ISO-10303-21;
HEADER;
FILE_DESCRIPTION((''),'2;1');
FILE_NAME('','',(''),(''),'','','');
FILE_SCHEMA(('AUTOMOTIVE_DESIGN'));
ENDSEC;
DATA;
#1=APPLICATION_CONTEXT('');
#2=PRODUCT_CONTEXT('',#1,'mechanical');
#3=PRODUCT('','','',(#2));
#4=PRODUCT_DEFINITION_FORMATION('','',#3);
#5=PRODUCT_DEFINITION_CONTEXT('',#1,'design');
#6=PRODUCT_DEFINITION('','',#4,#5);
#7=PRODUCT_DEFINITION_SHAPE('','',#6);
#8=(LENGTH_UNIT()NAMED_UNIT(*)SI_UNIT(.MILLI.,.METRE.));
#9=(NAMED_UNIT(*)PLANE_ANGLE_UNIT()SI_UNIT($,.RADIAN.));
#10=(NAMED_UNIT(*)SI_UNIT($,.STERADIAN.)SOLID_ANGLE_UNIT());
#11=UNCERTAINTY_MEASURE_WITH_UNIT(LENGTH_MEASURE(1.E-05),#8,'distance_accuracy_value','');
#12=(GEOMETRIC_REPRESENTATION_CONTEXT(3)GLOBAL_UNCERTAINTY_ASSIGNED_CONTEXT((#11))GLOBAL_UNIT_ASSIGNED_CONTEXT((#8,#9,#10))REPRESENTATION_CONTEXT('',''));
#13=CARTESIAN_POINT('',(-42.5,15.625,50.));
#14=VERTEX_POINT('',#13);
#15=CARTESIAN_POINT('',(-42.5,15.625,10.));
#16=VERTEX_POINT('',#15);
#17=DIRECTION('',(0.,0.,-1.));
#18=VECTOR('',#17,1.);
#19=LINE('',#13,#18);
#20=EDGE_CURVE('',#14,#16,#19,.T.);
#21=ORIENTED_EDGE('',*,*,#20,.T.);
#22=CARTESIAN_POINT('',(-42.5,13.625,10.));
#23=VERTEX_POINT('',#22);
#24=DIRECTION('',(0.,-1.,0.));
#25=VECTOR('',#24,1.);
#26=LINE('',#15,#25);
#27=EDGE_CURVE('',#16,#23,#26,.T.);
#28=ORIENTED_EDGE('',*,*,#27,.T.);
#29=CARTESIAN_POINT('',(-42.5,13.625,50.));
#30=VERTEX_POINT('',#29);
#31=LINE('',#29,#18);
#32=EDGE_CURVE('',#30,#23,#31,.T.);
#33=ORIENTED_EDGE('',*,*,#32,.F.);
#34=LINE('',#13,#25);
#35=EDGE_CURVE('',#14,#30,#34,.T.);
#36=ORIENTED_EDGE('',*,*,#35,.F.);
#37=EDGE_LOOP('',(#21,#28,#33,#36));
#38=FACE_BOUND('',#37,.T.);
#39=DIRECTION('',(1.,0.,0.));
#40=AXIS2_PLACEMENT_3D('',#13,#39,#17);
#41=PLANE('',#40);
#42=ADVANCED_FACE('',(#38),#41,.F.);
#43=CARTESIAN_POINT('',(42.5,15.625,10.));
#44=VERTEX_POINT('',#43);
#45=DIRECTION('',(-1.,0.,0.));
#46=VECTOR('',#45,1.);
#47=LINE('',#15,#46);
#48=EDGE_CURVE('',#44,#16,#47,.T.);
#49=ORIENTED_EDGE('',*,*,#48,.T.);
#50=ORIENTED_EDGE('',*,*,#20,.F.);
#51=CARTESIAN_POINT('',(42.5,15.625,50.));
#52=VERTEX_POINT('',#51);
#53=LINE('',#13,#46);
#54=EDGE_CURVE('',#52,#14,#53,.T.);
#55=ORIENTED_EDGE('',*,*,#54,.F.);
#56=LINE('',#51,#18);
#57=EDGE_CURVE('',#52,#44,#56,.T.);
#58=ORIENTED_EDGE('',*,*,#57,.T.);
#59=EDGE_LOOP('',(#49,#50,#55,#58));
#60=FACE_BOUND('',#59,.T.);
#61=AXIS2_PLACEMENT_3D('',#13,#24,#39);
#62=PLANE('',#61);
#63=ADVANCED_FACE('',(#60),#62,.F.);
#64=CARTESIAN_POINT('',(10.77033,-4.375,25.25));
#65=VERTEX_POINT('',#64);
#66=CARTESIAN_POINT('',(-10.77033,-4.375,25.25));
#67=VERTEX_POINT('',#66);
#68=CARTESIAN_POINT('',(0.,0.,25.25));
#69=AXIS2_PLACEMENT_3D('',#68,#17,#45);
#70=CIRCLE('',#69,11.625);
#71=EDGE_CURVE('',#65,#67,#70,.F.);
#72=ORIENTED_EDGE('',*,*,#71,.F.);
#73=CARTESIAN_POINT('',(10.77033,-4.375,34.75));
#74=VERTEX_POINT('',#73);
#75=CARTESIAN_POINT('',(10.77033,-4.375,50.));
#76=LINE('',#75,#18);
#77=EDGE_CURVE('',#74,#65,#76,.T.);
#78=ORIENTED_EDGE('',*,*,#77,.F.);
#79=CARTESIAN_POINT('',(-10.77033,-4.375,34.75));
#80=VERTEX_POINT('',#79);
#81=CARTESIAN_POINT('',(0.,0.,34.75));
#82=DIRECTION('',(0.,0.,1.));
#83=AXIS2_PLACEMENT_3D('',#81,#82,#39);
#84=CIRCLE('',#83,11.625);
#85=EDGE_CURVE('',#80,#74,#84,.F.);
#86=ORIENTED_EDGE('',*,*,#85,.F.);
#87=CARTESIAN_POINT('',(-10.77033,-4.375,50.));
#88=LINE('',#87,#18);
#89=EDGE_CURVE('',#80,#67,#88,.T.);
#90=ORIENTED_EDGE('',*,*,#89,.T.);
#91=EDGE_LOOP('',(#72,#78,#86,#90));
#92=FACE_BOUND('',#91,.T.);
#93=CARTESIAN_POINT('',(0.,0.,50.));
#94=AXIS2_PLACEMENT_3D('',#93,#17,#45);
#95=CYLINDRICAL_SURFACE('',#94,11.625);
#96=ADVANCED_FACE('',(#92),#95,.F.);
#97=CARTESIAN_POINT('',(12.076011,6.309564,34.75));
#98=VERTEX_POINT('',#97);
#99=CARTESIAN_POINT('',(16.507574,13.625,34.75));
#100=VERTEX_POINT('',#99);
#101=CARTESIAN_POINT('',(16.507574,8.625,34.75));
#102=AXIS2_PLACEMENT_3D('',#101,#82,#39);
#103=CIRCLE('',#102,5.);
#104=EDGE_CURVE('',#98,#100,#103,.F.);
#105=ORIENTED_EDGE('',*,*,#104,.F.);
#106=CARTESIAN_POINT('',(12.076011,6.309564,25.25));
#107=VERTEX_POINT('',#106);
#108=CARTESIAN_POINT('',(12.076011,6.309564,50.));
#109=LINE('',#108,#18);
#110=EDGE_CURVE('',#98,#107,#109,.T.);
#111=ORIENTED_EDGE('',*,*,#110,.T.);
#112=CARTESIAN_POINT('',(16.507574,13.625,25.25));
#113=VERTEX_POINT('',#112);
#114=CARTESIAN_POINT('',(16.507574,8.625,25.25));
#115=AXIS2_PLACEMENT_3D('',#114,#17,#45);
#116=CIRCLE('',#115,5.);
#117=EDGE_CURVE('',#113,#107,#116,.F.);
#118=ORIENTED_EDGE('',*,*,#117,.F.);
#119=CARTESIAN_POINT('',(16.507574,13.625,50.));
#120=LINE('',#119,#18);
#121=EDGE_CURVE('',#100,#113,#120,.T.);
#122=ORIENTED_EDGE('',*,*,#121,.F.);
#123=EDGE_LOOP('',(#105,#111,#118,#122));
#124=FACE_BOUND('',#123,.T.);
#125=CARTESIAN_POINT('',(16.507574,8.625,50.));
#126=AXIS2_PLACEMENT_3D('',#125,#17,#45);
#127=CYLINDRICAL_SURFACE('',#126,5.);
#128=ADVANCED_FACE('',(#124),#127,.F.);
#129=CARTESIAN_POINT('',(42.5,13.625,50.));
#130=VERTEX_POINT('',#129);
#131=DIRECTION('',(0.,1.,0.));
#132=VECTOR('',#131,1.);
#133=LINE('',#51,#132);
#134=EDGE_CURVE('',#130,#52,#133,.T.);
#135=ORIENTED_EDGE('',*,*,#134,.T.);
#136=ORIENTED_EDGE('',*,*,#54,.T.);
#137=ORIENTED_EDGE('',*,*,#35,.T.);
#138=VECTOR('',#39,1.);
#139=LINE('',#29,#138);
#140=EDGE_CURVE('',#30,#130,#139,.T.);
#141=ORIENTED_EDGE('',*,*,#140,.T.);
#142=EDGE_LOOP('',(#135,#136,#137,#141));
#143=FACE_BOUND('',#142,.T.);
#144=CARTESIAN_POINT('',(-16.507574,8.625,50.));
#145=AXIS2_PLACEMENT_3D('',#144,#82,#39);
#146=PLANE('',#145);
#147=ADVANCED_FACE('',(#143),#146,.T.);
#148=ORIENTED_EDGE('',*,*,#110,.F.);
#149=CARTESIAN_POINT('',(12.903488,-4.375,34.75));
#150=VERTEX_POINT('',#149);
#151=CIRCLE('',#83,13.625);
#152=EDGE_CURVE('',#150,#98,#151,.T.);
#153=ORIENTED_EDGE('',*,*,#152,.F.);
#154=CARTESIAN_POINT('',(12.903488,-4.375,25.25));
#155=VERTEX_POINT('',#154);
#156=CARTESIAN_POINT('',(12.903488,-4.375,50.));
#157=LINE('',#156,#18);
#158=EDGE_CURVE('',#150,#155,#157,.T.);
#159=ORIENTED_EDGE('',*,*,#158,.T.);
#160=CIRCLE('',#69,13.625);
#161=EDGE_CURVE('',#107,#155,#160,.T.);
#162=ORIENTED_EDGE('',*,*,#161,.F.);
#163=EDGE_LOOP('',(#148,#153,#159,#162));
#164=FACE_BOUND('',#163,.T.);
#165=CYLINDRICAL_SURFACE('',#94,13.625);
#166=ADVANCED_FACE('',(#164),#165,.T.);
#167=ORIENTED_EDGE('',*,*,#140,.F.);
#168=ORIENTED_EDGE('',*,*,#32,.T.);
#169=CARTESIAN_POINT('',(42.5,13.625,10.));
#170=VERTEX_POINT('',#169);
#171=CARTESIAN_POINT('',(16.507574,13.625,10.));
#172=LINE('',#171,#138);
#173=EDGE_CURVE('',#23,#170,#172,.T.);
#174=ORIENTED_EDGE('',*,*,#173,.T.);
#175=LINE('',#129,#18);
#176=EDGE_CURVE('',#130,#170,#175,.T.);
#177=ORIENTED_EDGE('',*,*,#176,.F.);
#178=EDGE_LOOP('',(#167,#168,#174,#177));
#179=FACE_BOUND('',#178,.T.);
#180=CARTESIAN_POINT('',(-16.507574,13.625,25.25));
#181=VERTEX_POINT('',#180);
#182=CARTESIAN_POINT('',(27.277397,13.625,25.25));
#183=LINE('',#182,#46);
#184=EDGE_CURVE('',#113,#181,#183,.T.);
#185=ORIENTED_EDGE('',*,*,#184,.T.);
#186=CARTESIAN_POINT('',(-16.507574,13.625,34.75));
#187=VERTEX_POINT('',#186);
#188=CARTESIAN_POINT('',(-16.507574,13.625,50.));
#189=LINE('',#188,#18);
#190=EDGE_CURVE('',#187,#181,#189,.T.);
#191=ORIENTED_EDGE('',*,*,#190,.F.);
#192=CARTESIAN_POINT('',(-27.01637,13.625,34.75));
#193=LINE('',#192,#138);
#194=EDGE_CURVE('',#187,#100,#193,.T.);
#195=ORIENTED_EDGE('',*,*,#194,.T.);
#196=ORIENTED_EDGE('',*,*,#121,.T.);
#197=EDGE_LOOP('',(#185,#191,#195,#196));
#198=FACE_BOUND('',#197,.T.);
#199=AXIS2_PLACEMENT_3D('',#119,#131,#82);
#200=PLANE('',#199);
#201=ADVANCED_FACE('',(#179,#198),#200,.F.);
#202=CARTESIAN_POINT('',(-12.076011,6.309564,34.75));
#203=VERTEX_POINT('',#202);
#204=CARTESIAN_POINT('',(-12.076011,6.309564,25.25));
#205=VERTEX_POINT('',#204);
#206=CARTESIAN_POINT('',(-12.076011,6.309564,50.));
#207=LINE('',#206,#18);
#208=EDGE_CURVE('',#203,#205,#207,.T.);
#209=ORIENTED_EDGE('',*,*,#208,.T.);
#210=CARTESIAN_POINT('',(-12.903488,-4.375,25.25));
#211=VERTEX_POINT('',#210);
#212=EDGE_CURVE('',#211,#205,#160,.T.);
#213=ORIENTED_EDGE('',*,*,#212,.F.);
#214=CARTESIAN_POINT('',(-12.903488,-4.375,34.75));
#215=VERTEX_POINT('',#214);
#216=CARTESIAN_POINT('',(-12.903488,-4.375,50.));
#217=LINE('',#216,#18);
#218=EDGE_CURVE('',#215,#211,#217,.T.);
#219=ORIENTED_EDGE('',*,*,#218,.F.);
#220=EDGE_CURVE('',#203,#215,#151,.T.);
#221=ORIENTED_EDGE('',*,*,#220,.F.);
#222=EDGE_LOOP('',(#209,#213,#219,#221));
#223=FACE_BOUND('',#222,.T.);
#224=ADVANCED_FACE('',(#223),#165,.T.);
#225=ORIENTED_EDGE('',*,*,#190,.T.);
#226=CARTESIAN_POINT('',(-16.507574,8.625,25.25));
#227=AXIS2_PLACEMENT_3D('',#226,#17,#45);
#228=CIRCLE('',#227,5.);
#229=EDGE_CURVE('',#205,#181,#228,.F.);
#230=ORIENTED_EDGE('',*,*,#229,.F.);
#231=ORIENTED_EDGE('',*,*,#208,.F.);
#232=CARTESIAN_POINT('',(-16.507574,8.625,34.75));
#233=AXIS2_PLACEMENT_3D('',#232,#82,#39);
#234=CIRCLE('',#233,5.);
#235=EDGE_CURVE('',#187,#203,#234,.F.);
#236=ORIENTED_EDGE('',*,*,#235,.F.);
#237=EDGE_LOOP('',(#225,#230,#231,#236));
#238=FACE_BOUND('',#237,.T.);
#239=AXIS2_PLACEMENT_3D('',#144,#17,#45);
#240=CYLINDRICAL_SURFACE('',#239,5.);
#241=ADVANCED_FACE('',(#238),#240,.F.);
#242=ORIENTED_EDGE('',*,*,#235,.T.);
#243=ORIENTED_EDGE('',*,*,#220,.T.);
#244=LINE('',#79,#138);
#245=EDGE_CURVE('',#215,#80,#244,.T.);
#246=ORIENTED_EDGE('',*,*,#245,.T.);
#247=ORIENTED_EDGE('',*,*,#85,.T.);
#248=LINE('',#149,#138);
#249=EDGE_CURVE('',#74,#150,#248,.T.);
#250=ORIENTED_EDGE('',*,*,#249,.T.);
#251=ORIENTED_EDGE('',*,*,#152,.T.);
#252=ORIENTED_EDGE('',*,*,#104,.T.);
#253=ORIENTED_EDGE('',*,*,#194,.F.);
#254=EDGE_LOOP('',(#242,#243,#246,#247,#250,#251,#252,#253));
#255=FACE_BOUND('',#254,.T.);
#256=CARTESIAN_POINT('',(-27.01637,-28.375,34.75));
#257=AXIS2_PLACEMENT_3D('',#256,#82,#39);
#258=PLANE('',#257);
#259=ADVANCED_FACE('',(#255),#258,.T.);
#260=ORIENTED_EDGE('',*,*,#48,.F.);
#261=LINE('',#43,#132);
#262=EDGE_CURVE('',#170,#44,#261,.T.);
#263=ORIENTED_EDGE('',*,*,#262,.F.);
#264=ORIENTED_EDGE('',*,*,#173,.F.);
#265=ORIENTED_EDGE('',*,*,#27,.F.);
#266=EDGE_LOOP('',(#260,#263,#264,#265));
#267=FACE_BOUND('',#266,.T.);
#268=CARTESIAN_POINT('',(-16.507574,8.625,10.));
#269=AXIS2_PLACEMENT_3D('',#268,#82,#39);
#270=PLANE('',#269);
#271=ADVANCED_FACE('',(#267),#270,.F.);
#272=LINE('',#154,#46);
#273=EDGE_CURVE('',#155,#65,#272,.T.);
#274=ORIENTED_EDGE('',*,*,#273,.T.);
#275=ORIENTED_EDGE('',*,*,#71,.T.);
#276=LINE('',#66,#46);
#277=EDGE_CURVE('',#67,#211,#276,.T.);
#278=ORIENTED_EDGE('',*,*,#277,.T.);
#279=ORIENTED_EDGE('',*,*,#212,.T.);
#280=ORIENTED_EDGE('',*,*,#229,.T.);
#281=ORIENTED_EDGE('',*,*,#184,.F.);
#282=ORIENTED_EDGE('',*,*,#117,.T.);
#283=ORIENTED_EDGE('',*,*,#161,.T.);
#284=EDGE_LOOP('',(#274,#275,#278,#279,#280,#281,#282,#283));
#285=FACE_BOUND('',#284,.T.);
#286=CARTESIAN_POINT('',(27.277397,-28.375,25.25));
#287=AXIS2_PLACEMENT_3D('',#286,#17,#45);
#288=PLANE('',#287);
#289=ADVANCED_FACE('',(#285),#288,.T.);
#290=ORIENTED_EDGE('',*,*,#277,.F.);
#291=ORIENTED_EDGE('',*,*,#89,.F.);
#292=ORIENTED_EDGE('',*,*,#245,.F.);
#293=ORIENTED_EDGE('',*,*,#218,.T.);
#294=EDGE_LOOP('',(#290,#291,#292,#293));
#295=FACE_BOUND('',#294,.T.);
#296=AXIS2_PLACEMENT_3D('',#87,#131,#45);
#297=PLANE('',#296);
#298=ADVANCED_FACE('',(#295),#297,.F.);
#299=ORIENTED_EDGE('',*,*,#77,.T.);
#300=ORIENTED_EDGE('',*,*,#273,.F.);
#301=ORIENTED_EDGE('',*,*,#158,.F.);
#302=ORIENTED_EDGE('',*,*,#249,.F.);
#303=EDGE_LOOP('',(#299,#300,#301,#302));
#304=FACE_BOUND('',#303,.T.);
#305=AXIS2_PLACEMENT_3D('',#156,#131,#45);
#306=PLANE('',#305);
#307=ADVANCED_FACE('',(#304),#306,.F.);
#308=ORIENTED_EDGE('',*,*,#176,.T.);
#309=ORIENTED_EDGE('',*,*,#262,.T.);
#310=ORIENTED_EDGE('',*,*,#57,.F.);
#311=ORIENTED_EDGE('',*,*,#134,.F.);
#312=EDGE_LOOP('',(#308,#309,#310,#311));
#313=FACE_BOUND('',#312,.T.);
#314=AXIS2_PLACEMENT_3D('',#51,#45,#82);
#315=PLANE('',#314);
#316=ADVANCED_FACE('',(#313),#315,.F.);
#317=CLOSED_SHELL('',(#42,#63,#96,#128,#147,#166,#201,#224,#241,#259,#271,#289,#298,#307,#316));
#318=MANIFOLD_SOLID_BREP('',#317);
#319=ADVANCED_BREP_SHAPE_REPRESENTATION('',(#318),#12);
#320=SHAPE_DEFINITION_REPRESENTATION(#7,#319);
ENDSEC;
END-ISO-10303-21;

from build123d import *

# Parameters (mm, degrees)
SKETCH1_R           = 11.125
SKETCH1_R_2         = 9.125
BOSS_EXTRUDE1_DEPTH = 10
BOSS_EXTRUDE2_START = -10
BOSS_EXTRUDE2_DEPTH = 10
BOSS_EXTRUDE3_DEPTH = 40
SKETCH4_W           = 57.687127484
SKETCH4_H           = 15.25
SKETCH4_W_2         = 54.293767044
CUT_EXTRUDE1_DEPTH  = 42
SKETCH5_W           = 53.119142276
SKETCH5_H           = 26.885855795
CUT_EXTRUDE2_DEPTH  = 61


with BuildPart() as part:
    # Sketch1 → Boss-Extrude1 (new body)
    with BuildSketch(Plane.XY):
        Circle(SKETCH1_R)
        Circle(SKETCH1_R_2, mode=Mode.SUBTRACT)
    extrude(amount=BOSS_EXTRUDE1_DEPTH)

    # Sketch2 → Boss-Extrude2 (add)
    with BuildSketch(Plane.XY.offset(10).offset(BOSS_EXTRUDE2_START)):
        with BuildLine():
            Line((-9.125, -9.125), (-6.363961031, -9.125))
            ThreePointArc((-6.363961031, -9.125), (-7.866562941, -7.866562941), (-9.125, -6.363961031))
            Line((-9.125, -6.363961031), (-9.125, -9.125))
        make_face()
        with BuildLine():
            Line((-9.125, -11.125), (0, -11.125))
            ThreePointArc((0, -11.125), (-3.335416016, -10.613228774), (-6.363961031, -9.125))
            Line((-6.363961031, -9.125), (-9.125, -9.125))
            Line((-9.125, -9.125), (-9.125, -11.125))
        make_face()
        with BuildLine():
            Line((0, -11.125), (9.125, -11.125))
            Line((9.125, -11.125), (9.125, -9.125))
            Line((9.125, -9.125), (6.363961031, -9.125))
            ThreePointArc((6.363961031, -9.125), (3.335416016, -10.613228774), (0, -11.125))
        make_face()
        with BuildLine():
            Line((6.363961031, -9.125), (9.125, -9.125))
            Line((9.125, -9.125), (9.125, -6.363961031))
            ThreePointArc((9.125, -6.363961031), (7.866562941, -7.866562941), (6.363961031, -9.125))
        make_face()
    extrude(amount=BOSS_EXTRUDE2_DEPTH)

    # Sketch5 → Cut-Extrude2 (cut)
    with BuildSketch(Plane.XZ.offset(-13.625)):
        with Locations((1.239881699, 2.094817028)):
            Rectangle(SKETCH5_W, SKETCH5_H)
    extrude(amount=CUT_EXTRUDE2_DEPTH, mode=Mode.SUBTRACT)


with BuildPart() as body_2:
    # Sketch3 → Boss-Extrude3 (new body)
    with BuildSketch(Plane.XY.offset(10)):
        with BuildLine():
            Line((12.903487901, -4.375), (10.770329614, -4.375))
            ThreePointArc((10.770329614, -4.375), (0, 11.625), (-10.770329614, -4.375))
            Line((-10.770329614, -4.375), (-12.903487901, -4.375))
            ThreePointArc((-12.903487901, -4.375), (-13.584322253, 1.05205225), (-12.076010524, 6.309563758))
            ThreePointArc((-12.076010524, 6.309563758), (-12.231057843, 11.215638801), (-16.507574019, 13.625))
            Line((-16.507574019, 13.625), (-42.5, 13.625))
            Line((-42.5, 13.625), (-42.5, 15.625))
            Line((-42.5, 15.625), (42.5, 15.625))
            Line((42.5, 15.625), (42.5, 13.625))
            Line((42.5, 13.625), (16.507574019, 13.625))
            ThreePointArc((16.507574019, 13.625), (12.231057843, 11.215638801), (12.076010524, 6.309563758))
            ThreePointArc((12.076010524, 6.309563758), (13.584322253, 1.05205225), (12.903487901, -4.375))
        make_face()
    extrude(amount=BOSS_EXTRUDE3_DEPTH)

    # Sketch4 → Cut-Extrude1 (cut)
    with BuildSketch(Plane.XZ.offset(-13.625)):
        with Locations((1.827194083, 42.375)):
            Rectangle(SKETCH4_W, SKETCH4_H)
        with Locations((0.130513863, 17.625)):
            Rectangle(SKETCH4_W_2, SKETCH4_H)
    extrude(amount=CUT_EXTRUDE1_DEPTH, mode=Mode.SUBTRACT)


solid = body_2.part
